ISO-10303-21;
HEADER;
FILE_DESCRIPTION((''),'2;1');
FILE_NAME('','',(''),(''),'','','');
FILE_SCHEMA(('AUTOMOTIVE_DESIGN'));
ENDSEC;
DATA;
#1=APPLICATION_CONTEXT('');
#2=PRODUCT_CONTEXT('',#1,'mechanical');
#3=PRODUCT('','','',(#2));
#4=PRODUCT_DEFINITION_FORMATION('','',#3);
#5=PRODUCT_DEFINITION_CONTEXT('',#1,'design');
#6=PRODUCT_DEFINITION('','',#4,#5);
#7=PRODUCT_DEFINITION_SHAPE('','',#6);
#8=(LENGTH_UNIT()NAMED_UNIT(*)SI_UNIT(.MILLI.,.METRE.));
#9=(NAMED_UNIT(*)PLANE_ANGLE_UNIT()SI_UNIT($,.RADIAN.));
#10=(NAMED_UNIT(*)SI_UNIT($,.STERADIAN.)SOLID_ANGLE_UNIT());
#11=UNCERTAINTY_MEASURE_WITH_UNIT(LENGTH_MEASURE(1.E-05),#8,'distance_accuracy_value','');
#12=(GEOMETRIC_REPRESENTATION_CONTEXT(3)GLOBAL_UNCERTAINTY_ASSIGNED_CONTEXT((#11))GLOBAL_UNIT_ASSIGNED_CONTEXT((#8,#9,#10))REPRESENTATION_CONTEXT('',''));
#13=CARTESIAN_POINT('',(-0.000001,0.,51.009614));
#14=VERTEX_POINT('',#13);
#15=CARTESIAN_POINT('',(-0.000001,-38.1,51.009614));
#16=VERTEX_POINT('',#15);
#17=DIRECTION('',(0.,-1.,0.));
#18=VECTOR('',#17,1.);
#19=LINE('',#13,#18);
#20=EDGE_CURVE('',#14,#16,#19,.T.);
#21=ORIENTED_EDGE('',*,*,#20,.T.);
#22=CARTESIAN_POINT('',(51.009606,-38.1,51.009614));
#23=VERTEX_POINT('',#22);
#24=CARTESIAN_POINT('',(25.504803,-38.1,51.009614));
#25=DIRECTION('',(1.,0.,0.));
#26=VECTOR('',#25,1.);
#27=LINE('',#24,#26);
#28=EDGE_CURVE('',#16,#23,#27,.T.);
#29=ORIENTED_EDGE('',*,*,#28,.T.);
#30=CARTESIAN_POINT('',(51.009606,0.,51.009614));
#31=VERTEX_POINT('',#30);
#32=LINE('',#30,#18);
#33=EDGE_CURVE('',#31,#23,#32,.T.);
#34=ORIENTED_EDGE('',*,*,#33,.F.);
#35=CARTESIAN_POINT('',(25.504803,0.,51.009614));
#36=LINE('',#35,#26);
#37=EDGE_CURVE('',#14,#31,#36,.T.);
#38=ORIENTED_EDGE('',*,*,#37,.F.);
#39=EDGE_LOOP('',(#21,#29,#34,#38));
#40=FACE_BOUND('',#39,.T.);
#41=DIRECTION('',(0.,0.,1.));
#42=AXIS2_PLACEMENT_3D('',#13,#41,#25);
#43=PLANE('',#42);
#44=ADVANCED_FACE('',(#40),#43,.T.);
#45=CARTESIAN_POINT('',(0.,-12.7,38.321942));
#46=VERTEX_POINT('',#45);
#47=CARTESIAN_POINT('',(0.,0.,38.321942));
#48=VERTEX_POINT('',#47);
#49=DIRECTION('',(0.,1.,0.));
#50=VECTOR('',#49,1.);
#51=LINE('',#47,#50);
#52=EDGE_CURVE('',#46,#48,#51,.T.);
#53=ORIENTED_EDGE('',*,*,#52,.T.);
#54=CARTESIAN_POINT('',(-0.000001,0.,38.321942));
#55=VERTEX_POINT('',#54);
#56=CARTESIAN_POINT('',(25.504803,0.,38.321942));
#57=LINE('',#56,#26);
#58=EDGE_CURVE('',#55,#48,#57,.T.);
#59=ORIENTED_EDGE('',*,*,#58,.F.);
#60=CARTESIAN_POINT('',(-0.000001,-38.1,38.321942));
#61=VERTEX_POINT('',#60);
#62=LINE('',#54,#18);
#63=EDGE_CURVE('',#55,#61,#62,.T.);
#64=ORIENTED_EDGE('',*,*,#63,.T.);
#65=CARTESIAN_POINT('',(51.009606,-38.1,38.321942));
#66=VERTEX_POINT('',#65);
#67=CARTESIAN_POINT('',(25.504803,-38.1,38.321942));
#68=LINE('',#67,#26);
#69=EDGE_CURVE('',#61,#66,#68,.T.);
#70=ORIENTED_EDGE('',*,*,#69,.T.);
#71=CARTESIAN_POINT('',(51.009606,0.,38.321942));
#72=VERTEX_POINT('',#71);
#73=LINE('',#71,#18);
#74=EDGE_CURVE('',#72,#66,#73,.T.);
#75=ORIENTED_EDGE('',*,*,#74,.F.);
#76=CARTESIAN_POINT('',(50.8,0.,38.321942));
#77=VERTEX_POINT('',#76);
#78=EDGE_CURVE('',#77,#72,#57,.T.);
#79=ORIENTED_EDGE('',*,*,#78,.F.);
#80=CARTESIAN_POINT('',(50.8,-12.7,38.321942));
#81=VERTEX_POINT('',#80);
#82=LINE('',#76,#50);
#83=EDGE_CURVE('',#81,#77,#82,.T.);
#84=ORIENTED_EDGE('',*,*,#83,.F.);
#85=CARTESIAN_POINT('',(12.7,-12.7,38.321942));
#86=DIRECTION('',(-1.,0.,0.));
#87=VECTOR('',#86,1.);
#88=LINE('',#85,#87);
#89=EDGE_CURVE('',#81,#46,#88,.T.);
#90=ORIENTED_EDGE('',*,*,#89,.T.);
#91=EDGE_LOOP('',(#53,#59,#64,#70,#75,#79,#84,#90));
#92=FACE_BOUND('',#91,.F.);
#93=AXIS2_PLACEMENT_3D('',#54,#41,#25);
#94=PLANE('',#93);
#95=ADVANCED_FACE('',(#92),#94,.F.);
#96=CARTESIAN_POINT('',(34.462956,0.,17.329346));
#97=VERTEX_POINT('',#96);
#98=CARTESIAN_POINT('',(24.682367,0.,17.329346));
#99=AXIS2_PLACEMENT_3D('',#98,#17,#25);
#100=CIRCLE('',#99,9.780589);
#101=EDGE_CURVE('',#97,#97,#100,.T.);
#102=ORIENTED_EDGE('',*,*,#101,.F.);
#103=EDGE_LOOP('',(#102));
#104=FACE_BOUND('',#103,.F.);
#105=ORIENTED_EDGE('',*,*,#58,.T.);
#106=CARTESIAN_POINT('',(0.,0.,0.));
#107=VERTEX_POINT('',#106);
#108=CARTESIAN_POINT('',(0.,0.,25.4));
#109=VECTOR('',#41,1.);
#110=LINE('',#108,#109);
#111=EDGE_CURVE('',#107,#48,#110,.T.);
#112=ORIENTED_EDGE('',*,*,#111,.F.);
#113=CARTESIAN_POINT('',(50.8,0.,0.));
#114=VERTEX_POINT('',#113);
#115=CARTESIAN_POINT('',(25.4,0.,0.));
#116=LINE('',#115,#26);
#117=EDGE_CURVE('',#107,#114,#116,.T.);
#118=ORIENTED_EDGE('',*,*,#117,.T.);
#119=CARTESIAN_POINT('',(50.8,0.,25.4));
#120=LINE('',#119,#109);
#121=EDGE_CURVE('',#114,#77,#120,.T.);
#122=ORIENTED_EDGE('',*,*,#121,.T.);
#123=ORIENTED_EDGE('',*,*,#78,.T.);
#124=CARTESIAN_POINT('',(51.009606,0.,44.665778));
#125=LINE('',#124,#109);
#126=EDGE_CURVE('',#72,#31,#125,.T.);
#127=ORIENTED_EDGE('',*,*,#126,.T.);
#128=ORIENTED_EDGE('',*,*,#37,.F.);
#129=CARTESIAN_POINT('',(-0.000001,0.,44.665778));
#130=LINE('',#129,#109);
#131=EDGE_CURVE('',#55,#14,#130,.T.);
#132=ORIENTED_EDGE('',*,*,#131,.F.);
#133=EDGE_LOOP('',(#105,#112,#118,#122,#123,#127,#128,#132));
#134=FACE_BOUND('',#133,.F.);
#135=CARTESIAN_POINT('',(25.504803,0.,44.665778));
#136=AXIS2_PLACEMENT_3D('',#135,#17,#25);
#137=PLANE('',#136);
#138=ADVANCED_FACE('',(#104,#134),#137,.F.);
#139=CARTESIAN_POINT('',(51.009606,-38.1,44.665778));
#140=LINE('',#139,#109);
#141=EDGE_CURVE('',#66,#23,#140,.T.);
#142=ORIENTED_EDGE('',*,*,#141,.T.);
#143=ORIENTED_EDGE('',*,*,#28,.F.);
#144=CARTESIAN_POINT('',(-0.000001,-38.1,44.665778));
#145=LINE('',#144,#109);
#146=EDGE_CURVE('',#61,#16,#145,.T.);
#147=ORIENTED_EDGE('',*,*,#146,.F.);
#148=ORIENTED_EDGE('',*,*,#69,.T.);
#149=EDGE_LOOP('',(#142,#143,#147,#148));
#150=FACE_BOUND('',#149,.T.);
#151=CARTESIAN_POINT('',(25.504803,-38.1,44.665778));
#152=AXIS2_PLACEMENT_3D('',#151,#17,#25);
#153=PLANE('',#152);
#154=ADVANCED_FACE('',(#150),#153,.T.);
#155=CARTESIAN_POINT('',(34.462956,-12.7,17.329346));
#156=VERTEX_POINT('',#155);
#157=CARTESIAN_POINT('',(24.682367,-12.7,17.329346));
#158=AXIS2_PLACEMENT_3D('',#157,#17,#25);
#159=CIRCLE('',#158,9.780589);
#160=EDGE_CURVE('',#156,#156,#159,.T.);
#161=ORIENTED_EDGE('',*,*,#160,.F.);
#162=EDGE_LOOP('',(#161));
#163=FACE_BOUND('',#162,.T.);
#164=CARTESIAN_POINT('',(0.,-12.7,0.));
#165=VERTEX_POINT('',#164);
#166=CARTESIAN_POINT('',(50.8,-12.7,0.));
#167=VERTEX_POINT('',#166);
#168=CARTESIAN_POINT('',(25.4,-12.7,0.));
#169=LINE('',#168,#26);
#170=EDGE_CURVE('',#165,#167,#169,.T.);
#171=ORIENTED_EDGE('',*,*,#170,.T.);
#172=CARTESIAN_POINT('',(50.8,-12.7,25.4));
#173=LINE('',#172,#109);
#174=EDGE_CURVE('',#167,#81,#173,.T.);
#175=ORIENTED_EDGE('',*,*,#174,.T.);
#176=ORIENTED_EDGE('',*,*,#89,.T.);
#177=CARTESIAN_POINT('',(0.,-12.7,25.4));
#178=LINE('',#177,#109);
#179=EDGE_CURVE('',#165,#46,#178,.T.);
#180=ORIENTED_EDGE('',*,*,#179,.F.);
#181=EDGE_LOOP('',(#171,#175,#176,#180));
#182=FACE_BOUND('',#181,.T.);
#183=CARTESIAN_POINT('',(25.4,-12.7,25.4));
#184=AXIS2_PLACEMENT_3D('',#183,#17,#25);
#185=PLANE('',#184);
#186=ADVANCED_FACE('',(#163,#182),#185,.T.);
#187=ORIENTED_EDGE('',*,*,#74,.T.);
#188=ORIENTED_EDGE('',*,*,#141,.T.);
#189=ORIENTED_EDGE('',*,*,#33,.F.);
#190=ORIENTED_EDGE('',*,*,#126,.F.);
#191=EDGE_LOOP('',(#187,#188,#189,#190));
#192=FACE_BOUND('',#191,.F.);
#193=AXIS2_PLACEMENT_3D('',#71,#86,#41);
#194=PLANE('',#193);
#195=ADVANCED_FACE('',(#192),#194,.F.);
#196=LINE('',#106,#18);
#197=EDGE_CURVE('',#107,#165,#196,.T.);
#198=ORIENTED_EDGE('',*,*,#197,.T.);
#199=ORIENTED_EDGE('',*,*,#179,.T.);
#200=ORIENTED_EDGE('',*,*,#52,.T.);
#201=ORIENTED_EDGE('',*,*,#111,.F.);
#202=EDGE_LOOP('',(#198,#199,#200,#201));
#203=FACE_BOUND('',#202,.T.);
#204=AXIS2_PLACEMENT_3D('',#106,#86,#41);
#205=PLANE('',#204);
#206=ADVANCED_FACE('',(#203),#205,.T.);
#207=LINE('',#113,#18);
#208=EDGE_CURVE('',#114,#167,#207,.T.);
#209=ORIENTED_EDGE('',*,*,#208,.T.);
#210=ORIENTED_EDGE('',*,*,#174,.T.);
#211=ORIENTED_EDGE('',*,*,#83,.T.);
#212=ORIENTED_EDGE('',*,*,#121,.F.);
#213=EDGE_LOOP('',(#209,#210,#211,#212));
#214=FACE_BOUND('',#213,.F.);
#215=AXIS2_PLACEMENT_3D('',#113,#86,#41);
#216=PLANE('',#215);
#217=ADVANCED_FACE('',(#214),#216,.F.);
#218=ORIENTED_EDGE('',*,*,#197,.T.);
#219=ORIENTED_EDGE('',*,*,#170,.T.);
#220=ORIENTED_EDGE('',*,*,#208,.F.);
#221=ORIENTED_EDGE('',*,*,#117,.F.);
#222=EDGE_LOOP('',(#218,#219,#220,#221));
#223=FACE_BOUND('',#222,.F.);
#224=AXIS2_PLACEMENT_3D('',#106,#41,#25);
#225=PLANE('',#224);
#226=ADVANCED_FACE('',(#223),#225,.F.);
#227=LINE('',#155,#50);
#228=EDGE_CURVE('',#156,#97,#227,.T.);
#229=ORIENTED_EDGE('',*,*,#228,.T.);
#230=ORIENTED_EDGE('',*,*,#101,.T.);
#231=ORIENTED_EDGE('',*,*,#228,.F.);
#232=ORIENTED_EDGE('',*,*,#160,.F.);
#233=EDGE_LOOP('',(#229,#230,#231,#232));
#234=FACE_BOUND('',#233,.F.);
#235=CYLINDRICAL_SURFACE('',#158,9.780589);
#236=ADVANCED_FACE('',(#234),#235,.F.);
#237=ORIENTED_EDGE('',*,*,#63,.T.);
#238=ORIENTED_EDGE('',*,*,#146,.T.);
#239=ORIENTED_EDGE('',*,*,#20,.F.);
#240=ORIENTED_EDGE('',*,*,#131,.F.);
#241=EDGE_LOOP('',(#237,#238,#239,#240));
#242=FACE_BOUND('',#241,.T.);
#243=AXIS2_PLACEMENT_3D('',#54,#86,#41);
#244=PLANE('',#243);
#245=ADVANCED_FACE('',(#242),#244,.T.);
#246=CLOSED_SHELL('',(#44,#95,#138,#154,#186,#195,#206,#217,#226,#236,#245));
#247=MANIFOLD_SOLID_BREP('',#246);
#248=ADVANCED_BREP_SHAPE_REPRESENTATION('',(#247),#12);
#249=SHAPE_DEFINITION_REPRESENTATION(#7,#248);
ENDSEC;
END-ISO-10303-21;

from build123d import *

# Parameters (mm, degrees)
F0_W     = 50.8
F0_H     = 50.8
F1_DEPTH = 12.7
F2_W     = 51.009607
F2_H     = 12.687672
F3_DEPTH = 38.1
F4_R     = 9.780589
F5_DEPTH = 12.7


with BuildPart() as f1:
    # F0 (on Front) → F1 (new body)
    with BuildSketch(Plane.XZ):
        with Locations((25.4, 25.4)):
            Rectangle(F0_W, F0_H)
    extrude(amount=F1_DEPTH)

    # F2 (on Front) → F3 (join)
    with BuildSketch(Plane.XZ):
        with Locations((25.504803, 44.665778)):
            Rectangle(F2_W, F2_H)
    extrude(amount=F3_DEPTH)

    # F4 (on face) → F5 (cut, through all)
    with BuildSketch(Plane.XZ.offset(12.7)):
        with Locations((24.682367, 17.329346)):
            Circle(F4_R)
    extrude(amount=-F5_DEPTH, mode=Mode.SUBTRACT)


solid = f1.part
